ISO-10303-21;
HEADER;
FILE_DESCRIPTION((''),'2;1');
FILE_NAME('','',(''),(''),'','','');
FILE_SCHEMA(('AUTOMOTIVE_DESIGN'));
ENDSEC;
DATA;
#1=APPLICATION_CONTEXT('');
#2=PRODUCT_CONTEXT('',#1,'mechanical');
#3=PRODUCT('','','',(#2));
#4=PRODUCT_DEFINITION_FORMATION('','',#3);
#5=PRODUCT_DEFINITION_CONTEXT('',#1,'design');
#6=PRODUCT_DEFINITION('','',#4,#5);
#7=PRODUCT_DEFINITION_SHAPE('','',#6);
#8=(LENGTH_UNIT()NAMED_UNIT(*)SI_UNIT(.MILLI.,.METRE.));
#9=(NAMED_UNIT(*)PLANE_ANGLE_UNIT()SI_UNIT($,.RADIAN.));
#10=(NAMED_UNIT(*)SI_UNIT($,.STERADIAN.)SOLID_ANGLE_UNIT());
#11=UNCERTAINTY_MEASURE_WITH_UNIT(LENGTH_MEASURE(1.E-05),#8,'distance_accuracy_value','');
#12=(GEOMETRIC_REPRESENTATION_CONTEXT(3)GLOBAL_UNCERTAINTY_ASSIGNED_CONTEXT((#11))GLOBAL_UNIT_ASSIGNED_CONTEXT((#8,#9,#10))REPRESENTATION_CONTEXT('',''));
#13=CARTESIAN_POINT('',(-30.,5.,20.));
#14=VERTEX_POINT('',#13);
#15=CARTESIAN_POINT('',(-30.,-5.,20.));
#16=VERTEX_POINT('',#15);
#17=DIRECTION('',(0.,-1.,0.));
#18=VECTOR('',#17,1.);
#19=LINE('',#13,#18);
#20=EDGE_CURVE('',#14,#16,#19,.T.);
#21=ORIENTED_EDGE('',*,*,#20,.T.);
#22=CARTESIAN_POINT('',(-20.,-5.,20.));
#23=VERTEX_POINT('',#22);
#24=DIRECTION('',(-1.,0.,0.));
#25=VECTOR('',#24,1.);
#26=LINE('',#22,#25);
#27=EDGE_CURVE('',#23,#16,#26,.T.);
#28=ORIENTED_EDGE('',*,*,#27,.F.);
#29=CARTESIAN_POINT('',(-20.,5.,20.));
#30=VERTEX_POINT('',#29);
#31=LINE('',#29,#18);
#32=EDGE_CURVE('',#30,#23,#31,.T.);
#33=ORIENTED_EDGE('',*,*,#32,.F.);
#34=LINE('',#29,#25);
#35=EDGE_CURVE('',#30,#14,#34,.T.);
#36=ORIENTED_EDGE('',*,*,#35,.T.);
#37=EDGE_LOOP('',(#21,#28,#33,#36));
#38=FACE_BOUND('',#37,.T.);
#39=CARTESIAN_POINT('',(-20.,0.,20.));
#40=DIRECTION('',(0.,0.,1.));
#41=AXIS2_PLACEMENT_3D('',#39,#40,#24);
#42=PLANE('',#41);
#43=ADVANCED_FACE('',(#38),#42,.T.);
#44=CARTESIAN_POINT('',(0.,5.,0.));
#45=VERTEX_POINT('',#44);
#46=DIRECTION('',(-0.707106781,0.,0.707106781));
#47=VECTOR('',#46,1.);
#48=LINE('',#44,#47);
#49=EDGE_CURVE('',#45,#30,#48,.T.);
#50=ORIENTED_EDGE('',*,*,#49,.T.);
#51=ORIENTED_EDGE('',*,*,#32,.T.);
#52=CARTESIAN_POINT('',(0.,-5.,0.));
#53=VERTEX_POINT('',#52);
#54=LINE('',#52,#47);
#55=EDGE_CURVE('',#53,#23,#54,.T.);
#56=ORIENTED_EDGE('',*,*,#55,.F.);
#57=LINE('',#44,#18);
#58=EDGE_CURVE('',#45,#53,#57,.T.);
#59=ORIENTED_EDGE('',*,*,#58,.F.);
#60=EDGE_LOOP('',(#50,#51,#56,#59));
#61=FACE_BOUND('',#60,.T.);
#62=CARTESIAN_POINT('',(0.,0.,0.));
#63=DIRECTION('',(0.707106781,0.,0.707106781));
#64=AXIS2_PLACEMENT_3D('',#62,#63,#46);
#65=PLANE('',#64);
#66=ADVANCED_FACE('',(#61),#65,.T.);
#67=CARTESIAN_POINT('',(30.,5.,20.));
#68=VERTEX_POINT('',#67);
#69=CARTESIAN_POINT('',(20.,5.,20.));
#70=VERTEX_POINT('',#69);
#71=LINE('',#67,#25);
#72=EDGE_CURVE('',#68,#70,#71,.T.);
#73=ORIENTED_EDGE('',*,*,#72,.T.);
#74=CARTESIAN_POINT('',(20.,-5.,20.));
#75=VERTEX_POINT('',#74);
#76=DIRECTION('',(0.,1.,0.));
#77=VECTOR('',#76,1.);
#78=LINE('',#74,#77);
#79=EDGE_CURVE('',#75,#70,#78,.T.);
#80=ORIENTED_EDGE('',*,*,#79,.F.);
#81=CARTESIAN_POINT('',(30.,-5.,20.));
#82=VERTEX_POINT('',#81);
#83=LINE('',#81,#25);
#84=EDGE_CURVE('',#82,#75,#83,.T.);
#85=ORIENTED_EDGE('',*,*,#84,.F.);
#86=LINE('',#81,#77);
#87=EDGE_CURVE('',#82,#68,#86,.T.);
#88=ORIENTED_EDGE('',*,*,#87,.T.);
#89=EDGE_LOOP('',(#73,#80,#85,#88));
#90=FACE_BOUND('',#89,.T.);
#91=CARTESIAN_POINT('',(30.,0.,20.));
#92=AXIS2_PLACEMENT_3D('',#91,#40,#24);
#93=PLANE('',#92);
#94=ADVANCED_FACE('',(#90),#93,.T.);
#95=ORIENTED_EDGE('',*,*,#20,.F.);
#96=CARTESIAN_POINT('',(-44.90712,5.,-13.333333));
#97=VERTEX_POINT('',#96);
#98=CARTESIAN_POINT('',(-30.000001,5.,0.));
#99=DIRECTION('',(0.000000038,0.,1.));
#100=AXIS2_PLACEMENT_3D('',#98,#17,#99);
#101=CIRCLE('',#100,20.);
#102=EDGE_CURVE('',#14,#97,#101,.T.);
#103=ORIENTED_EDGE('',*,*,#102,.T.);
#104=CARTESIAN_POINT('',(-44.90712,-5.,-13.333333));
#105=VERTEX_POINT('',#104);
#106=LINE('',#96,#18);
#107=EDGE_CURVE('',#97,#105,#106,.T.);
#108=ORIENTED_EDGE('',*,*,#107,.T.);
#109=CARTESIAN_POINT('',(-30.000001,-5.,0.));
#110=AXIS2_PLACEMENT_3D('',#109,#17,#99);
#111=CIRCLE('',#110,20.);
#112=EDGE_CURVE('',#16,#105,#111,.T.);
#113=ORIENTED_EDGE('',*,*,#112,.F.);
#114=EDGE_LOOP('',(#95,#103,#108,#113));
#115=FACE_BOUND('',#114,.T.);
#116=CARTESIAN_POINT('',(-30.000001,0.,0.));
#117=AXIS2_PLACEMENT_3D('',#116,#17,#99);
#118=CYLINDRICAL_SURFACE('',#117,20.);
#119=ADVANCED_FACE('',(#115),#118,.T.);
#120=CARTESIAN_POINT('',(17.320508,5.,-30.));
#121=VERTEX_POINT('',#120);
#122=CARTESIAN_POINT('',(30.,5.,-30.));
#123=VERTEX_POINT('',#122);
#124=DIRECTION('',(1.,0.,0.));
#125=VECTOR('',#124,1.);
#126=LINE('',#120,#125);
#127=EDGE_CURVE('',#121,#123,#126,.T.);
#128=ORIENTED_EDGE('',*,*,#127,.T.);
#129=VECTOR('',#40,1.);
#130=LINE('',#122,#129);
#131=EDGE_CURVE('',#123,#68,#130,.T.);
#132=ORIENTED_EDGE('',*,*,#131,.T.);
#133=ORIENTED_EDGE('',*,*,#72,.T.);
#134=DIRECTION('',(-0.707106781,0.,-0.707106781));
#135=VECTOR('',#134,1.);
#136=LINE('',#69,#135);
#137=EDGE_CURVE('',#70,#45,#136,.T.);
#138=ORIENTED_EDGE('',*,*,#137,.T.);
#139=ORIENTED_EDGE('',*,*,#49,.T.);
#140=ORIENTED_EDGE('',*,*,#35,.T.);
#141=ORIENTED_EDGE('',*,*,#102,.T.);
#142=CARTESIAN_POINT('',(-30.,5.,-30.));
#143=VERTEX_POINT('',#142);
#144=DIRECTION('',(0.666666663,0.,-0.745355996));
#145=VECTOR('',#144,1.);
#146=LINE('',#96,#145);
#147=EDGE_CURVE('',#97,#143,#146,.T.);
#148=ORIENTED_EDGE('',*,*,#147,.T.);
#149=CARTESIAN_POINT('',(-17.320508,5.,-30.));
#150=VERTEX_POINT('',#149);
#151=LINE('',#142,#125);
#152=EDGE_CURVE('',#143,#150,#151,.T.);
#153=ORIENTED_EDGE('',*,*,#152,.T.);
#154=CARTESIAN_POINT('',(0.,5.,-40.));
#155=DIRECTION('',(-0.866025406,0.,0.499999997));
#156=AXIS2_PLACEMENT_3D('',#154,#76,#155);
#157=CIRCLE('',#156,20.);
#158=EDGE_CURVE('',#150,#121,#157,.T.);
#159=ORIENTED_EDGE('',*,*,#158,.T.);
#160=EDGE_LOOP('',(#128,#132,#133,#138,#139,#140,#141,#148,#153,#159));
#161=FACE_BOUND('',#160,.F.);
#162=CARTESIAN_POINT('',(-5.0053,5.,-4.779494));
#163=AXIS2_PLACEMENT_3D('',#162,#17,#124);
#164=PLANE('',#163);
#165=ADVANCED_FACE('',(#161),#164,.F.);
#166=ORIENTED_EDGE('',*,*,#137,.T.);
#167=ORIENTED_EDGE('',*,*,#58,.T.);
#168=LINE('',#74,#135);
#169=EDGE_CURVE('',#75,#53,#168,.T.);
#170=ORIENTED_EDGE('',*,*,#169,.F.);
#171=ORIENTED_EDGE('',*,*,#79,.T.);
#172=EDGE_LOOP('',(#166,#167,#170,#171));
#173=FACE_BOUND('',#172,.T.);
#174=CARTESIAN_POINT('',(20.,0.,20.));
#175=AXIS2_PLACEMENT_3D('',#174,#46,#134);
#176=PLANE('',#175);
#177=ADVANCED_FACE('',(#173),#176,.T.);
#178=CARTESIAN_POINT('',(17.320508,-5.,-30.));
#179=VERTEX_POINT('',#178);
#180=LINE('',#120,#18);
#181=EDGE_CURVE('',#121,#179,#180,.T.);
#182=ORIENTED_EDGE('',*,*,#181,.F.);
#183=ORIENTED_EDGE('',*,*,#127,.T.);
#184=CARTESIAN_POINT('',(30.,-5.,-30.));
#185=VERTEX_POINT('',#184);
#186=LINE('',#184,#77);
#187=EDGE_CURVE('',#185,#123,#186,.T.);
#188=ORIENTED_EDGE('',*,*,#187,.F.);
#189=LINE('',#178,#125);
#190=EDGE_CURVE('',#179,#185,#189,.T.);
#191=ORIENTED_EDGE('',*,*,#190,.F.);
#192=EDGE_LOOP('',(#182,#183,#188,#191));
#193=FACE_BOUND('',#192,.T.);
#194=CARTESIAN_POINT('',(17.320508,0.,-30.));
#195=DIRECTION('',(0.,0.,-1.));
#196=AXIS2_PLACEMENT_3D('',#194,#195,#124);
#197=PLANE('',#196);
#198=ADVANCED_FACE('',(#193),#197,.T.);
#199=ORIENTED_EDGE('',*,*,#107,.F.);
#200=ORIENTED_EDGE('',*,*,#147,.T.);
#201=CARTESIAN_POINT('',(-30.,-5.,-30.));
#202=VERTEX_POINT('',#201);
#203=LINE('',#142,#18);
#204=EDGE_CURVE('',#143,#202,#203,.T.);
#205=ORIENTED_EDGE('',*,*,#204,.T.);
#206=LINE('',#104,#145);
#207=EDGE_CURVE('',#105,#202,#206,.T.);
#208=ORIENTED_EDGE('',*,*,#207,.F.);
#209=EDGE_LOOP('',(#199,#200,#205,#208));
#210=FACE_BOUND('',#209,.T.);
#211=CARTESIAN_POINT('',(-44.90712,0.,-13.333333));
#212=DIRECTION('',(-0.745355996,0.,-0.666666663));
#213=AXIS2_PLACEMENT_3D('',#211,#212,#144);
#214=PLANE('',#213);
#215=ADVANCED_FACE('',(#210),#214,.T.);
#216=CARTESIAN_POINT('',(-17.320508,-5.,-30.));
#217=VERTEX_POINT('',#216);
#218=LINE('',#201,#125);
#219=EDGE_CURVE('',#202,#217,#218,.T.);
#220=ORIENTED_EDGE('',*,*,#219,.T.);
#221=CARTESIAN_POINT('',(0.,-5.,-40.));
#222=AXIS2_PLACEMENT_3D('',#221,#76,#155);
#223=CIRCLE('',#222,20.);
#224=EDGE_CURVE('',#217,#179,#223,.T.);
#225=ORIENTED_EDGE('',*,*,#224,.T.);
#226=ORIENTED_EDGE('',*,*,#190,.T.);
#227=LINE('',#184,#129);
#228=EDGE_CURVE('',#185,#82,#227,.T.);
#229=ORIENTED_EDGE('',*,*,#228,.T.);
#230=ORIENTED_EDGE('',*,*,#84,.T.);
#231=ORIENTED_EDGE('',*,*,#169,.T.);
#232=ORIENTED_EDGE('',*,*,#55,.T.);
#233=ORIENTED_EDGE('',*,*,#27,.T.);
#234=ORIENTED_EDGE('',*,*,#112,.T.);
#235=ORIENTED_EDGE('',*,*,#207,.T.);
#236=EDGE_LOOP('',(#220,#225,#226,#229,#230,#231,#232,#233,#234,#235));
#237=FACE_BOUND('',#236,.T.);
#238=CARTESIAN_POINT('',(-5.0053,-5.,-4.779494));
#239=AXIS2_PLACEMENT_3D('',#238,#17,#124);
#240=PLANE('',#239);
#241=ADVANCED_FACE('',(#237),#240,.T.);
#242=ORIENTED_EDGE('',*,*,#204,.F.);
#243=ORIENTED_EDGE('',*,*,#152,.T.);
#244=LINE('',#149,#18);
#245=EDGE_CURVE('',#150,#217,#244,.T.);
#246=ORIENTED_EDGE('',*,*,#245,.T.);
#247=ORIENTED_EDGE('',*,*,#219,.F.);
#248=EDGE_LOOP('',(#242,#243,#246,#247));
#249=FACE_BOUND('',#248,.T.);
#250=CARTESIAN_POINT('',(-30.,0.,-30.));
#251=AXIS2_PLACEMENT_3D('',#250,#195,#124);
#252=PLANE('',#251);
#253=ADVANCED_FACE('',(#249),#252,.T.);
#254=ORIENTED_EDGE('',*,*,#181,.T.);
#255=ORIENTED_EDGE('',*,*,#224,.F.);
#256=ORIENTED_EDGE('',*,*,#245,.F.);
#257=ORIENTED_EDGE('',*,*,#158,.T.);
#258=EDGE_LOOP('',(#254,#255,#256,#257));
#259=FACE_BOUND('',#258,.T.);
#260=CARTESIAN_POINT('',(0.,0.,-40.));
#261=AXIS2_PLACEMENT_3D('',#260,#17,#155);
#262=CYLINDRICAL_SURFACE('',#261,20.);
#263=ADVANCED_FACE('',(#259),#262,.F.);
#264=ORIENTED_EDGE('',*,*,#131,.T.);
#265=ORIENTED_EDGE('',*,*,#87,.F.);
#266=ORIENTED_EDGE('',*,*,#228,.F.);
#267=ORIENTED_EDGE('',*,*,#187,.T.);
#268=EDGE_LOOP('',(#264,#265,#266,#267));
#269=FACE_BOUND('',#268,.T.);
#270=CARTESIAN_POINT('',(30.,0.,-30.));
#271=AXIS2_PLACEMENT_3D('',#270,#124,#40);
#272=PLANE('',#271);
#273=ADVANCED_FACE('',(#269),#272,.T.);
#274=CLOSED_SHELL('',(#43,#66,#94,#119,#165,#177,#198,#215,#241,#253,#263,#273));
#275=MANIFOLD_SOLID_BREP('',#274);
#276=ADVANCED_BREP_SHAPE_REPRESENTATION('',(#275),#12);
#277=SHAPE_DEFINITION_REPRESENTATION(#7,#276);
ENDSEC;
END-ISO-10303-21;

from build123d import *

# Parameters (mm, degrees)
F1_DEPTH = 5


with BuildPart() as f1:
    # F0 (on Front) → F1 (new body, symmetric)
    with BuildSketch(Plane.XZ):
        with BuildLine():
            Line((20, 20), (0, 0))
            Line((0, 0), (-20, 20))
            Line((-20, 20), (-30, 20))
            ThreePointArc((-30, 20), (-48.257419, 8.164966), (-44.90712, -13.333333))
            Line((-44.90712, -13.333333), (-30, -30))
            Line((-30, -30), (-17.320508, -30))
            ThreePointArc((-17.320508, -30), (0, -20), (17.320508, -30))
            Line((17.320508, -30), (30, -30))
            Line((30, -30), (30, 0))
            Line((30, 0), (30, 20))
            Line((30, 20), (20, 20))
        make_face()
    extrude(amount=F1_DEPTH, both=True)


solid = f1.part
